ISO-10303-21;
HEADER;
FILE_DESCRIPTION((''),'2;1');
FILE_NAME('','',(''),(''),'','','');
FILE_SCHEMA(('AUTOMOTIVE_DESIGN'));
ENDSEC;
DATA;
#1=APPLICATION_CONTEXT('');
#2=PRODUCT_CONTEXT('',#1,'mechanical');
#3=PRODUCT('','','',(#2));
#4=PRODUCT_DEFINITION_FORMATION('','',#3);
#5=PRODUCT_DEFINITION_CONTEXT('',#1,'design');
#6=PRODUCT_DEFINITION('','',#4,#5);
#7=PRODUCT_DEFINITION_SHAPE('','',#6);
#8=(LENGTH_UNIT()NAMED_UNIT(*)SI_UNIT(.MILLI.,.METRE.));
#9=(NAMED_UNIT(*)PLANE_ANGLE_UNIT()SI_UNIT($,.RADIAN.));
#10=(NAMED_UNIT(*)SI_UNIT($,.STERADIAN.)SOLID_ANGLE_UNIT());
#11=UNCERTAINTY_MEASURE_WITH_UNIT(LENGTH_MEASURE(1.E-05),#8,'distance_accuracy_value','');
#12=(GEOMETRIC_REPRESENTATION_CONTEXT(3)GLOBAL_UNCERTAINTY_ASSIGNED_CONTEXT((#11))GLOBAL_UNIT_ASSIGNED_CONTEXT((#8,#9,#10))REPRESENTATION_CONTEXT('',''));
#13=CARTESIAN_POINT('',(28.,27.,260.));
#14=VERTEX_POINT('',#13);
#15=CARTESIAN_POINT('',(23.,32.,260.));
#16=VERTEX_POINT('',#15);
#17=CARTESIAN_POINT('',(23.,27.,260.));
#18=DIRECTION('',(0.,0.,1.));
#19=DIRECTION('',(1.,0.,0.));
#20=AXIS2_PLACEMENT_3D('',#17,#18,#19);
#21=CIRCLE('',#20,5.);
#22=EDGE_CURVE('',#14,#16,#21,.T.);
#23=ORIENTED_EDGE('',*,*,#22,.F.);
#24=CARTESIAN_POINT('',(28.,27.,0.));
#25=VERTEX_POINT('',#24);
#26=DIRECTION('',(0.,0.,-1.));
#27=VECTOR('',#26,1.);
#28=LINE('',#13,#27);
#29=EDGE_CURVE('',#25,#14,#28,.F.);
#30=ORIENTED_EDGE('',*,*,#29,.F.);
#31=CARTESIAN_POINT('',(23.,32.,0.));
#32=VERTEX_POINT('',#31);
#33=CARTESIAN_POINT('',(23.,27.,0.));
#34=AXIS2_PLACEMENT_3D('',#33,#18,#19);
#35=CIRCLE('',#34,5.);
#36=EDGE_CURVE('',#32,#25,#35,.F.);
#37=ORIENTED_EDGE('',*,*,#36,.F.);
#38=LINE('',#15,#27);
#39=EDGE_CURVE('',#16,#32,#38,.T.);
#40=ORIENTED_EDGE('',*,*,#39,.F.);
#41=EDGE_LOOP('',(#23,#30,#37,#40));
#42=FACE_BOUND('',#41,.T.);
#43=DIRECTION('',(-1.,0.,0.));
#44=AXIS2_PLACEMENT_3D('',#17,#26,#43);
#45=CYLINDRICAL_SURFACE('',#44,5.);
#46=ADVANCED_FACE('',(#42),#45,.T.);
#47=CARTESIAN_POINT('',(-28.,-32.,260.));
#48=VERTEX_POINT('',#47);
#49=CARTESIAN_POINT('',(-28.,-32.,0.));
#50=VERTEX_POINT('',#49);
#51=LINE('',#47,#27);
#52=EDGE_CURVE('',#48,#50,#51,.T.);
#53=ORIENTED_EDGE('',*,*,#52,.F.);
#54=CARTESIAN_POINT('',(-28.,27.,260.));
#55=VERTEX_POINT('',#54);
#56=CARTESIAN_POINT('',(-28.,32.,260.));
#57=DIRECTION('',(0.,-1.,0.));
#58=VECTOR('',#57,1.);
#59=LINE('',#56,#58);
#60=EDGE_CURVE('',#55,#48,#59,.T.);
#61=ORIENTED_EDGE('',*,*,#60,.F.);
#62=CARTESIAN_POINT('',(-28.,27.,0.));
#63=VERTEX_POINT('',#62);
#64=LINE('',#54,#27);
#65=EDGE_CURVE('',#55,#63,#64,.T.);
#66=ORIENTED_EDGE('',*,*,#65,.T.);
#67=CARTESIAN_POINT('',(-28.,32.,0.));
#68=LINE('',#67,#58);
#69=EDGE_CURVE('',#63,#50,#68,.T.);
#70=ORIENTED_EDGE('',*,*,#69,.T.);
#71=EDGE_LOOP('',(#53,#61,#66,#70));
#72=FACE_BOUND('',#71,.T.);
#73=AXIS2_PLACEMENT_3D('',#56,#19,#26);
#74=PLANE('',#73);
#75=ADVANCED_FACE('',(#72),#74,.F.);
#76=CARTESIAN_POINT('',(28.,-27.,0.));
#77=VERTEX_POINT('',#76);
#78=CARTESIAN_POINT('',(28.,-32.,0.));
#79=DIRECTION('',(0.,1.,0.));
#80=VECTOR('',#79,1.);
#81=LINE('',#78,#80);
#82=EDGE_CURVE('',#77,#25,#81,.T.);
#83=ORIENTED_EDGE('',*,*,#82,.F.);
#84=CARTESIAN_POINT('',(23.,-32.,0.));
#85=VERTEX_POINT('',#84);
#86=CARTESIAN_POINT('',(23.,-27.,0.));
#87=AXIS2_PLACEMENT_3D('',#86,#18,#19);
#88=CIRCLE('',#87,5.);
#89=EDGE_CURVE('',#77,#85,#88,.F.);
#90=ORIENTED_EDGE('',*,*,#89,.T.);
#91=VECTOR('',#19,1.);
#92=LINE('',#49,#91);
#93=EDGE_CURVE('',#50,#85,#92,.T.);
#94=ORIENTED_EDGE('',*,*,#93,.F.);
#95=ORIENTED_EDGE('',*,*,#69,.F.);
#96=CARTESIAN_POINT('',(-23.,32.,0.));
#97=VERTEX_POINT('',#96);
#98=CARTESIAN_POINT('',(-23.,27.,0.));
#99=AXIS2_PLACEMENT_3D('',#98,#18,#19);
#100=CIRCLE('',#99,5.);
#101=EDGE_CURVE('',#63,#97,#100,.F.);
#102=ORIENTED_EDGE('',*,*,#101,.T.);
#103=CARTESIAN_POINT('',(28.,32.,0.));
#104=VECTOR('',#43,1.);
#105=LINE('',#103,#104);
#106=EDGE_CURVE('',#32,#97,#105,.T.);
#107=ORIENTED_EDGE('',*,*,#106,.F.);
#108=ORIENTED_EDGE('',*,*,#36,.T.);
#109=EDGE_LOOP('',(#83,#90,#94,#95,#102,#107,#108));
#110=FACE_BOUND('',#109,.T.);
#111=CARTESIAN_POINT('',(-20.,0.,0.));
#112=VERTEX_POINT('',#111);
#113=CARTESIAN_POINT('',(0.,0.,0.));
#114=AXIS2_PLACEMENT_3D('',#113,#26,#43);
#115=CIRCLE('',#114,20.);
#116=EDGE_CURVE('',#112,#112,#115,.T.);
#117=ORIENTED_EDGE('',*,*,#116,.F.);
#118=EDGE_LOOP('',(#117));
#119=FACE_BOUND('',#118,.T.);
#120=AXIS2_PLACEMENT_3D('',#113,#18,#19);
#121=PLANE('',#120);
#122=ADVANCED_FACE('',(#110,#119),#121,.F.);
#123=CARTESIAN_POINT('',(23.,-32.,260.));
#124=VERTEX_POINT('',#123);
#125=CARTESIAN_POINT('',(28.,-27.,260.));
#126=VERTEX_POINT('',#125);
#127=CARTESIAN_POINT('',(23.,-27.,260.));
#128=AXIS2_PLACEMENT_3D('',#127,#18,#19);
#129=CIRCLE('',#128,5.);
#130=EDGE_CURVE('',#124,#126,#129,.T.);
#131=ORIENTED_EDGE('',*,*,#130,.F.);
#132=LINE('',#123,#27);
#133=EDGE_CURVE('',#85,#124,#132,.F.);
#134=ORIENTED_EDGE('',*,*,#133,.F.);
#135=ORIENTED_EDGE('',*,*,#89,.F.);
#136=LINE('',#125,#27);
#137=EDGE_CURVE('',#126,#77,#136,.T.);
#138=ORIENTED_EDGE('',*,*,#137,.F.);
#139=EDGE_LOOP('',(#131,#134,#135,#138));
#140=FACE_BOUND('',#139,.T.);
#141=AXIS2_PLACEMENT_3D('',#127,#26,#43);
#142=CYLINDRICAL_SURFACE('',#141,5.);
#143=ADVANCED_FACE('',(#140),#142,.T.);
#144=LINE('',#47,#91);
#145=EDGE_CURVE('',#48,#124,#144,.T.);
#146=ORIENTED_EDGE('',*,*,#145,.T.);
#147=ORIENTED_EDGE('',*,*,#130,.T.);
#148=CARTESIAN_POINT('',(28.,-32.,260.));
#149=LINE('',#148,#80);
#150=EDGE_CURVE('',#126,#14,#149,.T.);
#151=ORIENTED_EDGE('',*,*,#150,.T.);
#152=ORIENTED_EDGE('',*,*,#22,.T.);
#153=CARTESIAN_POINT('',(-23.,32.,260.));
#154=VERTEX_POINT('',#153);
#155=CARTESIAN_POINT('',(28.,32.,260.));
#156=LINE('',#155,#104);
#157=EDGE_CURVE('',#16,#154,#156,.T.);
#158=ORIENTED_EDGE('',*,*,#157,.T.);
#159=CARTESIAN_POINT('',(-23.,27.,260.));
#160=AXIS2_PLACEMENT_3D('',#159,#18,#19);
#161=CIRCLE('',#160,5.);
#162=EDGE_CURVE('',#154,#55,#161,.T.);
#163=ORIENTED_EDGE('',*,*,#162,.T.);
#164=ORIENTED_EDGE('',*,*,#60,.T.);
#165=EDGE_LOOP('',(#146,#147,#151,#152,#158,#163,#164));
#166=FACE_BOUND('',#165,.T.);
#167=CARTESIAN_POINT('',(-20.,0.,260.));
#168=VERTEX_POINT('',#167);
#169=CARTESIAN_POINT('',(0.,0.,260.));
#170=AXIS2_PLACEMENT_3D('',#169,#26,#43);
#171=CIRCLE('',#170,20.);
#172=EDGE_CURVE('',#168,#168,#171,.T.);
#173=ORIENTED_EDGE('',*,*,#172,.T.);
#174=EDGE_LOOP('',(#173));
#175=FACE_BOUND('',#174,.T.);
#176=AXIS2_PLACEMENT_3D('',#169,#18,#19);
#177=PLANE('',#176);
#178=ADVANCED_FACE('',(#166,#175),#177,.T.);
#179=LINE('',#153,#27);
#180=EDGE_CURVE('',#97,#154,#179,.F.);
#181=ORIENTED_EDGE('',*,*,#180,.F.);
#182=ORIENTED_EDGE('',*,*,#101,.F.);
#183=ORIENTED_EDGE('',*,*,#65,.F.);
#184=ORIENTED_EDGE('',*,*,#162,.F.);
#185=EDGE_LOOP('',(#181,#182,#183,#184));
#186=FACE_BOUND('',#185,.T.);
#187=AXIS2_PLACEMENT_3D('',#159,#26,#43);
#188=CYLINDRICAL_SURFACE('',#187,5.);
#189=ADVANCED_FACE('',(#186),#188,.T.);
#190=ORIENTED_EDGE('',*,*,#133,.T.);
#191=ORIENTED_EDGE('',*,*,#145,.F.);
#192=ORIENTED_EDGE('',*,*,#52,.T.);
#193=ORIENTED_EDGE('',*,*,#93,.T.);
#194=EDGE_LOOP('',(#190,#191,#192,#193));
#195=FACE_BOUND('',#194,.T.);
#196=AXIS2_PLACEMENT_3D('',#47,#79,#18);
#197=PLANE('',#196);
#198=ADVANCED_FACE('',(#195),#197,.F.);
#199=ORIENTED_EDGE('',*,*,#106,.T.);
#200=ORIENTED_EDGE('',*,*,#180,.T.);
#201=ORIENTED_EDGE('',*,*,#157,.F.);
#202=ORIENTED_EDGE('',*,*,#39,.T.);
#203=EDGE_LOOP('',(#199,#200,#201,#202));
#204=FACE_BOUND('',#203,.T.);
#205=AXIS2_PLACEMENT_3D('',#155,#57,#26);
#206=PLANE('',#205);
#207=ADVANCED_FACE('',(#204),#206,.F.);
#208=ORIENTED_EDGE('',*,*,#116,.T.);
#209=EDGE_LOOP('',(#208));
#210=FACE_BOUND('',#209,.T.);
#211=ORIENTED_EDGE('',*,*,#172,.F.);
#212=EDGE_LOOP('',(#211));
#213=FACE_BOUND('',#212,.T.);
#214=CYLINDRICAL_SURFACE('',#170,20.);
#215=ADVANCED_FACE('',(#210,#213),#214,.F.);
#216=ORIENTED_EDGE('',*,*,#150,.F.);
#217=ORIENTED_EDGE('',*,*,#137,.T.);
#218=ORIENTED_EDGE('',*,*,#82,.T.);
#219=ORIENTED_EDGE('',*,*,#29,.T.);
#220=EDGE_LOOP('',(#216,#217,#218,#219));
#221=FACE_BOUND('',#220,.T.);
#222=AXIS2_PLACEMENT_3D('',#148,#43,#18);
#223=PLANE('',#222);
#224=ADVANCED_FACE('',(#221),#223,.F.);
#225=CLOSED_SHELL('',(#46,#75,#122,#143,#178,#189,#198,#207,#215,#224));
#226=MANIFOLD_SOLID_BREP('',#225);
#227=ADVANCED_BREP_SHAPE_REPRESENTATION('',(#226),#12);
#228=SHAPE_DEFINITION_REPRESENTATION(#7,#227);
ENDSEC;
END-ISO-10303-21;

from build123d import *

# Parameters (mm, degrees)
SKETCH_8_W          = 56
SKETCH_8_H          = 64
EXTRUDE_1_DEPTH     = 260
SKETCH_9_R          = 20
CUT_EXTRUDE_1_DEPTH = 264.453980801
FILLET_1_R          = 5


with BuildPart() as part:
    # 草图8 → 凸台-拉伸1 (new body)
    with BuildSketch(Plane.XY):
        Rectangle(SKETCH_8_W, SKETCH_8_H)
    extrude(amount=EXTRUDE_1_DEPTH)

    # 草图9 → 切除-拉伸1 (cut, through all)
    with BuildSketch(Plane(origin=(0, 0, 0), x_dir=(-1, 0, 0), z_dir=(0, 0, -1))):
        Circle(SKETCH_9_R)
    extrude(amount=-CUT_EXTRUDE_1_DEPTH, mode=Mode.SUBTRACT)

    # 圆角1
    fillet_1_edges = [part.edges().sort_by_distance(p)[0] for p in [
        (-28, 32, 130),
        (28, 32, 130),
        (28, -32, 130),
    ]]
    fillet(fillet_1_edges, radius=FILLET_1_R)


solid = part.part
